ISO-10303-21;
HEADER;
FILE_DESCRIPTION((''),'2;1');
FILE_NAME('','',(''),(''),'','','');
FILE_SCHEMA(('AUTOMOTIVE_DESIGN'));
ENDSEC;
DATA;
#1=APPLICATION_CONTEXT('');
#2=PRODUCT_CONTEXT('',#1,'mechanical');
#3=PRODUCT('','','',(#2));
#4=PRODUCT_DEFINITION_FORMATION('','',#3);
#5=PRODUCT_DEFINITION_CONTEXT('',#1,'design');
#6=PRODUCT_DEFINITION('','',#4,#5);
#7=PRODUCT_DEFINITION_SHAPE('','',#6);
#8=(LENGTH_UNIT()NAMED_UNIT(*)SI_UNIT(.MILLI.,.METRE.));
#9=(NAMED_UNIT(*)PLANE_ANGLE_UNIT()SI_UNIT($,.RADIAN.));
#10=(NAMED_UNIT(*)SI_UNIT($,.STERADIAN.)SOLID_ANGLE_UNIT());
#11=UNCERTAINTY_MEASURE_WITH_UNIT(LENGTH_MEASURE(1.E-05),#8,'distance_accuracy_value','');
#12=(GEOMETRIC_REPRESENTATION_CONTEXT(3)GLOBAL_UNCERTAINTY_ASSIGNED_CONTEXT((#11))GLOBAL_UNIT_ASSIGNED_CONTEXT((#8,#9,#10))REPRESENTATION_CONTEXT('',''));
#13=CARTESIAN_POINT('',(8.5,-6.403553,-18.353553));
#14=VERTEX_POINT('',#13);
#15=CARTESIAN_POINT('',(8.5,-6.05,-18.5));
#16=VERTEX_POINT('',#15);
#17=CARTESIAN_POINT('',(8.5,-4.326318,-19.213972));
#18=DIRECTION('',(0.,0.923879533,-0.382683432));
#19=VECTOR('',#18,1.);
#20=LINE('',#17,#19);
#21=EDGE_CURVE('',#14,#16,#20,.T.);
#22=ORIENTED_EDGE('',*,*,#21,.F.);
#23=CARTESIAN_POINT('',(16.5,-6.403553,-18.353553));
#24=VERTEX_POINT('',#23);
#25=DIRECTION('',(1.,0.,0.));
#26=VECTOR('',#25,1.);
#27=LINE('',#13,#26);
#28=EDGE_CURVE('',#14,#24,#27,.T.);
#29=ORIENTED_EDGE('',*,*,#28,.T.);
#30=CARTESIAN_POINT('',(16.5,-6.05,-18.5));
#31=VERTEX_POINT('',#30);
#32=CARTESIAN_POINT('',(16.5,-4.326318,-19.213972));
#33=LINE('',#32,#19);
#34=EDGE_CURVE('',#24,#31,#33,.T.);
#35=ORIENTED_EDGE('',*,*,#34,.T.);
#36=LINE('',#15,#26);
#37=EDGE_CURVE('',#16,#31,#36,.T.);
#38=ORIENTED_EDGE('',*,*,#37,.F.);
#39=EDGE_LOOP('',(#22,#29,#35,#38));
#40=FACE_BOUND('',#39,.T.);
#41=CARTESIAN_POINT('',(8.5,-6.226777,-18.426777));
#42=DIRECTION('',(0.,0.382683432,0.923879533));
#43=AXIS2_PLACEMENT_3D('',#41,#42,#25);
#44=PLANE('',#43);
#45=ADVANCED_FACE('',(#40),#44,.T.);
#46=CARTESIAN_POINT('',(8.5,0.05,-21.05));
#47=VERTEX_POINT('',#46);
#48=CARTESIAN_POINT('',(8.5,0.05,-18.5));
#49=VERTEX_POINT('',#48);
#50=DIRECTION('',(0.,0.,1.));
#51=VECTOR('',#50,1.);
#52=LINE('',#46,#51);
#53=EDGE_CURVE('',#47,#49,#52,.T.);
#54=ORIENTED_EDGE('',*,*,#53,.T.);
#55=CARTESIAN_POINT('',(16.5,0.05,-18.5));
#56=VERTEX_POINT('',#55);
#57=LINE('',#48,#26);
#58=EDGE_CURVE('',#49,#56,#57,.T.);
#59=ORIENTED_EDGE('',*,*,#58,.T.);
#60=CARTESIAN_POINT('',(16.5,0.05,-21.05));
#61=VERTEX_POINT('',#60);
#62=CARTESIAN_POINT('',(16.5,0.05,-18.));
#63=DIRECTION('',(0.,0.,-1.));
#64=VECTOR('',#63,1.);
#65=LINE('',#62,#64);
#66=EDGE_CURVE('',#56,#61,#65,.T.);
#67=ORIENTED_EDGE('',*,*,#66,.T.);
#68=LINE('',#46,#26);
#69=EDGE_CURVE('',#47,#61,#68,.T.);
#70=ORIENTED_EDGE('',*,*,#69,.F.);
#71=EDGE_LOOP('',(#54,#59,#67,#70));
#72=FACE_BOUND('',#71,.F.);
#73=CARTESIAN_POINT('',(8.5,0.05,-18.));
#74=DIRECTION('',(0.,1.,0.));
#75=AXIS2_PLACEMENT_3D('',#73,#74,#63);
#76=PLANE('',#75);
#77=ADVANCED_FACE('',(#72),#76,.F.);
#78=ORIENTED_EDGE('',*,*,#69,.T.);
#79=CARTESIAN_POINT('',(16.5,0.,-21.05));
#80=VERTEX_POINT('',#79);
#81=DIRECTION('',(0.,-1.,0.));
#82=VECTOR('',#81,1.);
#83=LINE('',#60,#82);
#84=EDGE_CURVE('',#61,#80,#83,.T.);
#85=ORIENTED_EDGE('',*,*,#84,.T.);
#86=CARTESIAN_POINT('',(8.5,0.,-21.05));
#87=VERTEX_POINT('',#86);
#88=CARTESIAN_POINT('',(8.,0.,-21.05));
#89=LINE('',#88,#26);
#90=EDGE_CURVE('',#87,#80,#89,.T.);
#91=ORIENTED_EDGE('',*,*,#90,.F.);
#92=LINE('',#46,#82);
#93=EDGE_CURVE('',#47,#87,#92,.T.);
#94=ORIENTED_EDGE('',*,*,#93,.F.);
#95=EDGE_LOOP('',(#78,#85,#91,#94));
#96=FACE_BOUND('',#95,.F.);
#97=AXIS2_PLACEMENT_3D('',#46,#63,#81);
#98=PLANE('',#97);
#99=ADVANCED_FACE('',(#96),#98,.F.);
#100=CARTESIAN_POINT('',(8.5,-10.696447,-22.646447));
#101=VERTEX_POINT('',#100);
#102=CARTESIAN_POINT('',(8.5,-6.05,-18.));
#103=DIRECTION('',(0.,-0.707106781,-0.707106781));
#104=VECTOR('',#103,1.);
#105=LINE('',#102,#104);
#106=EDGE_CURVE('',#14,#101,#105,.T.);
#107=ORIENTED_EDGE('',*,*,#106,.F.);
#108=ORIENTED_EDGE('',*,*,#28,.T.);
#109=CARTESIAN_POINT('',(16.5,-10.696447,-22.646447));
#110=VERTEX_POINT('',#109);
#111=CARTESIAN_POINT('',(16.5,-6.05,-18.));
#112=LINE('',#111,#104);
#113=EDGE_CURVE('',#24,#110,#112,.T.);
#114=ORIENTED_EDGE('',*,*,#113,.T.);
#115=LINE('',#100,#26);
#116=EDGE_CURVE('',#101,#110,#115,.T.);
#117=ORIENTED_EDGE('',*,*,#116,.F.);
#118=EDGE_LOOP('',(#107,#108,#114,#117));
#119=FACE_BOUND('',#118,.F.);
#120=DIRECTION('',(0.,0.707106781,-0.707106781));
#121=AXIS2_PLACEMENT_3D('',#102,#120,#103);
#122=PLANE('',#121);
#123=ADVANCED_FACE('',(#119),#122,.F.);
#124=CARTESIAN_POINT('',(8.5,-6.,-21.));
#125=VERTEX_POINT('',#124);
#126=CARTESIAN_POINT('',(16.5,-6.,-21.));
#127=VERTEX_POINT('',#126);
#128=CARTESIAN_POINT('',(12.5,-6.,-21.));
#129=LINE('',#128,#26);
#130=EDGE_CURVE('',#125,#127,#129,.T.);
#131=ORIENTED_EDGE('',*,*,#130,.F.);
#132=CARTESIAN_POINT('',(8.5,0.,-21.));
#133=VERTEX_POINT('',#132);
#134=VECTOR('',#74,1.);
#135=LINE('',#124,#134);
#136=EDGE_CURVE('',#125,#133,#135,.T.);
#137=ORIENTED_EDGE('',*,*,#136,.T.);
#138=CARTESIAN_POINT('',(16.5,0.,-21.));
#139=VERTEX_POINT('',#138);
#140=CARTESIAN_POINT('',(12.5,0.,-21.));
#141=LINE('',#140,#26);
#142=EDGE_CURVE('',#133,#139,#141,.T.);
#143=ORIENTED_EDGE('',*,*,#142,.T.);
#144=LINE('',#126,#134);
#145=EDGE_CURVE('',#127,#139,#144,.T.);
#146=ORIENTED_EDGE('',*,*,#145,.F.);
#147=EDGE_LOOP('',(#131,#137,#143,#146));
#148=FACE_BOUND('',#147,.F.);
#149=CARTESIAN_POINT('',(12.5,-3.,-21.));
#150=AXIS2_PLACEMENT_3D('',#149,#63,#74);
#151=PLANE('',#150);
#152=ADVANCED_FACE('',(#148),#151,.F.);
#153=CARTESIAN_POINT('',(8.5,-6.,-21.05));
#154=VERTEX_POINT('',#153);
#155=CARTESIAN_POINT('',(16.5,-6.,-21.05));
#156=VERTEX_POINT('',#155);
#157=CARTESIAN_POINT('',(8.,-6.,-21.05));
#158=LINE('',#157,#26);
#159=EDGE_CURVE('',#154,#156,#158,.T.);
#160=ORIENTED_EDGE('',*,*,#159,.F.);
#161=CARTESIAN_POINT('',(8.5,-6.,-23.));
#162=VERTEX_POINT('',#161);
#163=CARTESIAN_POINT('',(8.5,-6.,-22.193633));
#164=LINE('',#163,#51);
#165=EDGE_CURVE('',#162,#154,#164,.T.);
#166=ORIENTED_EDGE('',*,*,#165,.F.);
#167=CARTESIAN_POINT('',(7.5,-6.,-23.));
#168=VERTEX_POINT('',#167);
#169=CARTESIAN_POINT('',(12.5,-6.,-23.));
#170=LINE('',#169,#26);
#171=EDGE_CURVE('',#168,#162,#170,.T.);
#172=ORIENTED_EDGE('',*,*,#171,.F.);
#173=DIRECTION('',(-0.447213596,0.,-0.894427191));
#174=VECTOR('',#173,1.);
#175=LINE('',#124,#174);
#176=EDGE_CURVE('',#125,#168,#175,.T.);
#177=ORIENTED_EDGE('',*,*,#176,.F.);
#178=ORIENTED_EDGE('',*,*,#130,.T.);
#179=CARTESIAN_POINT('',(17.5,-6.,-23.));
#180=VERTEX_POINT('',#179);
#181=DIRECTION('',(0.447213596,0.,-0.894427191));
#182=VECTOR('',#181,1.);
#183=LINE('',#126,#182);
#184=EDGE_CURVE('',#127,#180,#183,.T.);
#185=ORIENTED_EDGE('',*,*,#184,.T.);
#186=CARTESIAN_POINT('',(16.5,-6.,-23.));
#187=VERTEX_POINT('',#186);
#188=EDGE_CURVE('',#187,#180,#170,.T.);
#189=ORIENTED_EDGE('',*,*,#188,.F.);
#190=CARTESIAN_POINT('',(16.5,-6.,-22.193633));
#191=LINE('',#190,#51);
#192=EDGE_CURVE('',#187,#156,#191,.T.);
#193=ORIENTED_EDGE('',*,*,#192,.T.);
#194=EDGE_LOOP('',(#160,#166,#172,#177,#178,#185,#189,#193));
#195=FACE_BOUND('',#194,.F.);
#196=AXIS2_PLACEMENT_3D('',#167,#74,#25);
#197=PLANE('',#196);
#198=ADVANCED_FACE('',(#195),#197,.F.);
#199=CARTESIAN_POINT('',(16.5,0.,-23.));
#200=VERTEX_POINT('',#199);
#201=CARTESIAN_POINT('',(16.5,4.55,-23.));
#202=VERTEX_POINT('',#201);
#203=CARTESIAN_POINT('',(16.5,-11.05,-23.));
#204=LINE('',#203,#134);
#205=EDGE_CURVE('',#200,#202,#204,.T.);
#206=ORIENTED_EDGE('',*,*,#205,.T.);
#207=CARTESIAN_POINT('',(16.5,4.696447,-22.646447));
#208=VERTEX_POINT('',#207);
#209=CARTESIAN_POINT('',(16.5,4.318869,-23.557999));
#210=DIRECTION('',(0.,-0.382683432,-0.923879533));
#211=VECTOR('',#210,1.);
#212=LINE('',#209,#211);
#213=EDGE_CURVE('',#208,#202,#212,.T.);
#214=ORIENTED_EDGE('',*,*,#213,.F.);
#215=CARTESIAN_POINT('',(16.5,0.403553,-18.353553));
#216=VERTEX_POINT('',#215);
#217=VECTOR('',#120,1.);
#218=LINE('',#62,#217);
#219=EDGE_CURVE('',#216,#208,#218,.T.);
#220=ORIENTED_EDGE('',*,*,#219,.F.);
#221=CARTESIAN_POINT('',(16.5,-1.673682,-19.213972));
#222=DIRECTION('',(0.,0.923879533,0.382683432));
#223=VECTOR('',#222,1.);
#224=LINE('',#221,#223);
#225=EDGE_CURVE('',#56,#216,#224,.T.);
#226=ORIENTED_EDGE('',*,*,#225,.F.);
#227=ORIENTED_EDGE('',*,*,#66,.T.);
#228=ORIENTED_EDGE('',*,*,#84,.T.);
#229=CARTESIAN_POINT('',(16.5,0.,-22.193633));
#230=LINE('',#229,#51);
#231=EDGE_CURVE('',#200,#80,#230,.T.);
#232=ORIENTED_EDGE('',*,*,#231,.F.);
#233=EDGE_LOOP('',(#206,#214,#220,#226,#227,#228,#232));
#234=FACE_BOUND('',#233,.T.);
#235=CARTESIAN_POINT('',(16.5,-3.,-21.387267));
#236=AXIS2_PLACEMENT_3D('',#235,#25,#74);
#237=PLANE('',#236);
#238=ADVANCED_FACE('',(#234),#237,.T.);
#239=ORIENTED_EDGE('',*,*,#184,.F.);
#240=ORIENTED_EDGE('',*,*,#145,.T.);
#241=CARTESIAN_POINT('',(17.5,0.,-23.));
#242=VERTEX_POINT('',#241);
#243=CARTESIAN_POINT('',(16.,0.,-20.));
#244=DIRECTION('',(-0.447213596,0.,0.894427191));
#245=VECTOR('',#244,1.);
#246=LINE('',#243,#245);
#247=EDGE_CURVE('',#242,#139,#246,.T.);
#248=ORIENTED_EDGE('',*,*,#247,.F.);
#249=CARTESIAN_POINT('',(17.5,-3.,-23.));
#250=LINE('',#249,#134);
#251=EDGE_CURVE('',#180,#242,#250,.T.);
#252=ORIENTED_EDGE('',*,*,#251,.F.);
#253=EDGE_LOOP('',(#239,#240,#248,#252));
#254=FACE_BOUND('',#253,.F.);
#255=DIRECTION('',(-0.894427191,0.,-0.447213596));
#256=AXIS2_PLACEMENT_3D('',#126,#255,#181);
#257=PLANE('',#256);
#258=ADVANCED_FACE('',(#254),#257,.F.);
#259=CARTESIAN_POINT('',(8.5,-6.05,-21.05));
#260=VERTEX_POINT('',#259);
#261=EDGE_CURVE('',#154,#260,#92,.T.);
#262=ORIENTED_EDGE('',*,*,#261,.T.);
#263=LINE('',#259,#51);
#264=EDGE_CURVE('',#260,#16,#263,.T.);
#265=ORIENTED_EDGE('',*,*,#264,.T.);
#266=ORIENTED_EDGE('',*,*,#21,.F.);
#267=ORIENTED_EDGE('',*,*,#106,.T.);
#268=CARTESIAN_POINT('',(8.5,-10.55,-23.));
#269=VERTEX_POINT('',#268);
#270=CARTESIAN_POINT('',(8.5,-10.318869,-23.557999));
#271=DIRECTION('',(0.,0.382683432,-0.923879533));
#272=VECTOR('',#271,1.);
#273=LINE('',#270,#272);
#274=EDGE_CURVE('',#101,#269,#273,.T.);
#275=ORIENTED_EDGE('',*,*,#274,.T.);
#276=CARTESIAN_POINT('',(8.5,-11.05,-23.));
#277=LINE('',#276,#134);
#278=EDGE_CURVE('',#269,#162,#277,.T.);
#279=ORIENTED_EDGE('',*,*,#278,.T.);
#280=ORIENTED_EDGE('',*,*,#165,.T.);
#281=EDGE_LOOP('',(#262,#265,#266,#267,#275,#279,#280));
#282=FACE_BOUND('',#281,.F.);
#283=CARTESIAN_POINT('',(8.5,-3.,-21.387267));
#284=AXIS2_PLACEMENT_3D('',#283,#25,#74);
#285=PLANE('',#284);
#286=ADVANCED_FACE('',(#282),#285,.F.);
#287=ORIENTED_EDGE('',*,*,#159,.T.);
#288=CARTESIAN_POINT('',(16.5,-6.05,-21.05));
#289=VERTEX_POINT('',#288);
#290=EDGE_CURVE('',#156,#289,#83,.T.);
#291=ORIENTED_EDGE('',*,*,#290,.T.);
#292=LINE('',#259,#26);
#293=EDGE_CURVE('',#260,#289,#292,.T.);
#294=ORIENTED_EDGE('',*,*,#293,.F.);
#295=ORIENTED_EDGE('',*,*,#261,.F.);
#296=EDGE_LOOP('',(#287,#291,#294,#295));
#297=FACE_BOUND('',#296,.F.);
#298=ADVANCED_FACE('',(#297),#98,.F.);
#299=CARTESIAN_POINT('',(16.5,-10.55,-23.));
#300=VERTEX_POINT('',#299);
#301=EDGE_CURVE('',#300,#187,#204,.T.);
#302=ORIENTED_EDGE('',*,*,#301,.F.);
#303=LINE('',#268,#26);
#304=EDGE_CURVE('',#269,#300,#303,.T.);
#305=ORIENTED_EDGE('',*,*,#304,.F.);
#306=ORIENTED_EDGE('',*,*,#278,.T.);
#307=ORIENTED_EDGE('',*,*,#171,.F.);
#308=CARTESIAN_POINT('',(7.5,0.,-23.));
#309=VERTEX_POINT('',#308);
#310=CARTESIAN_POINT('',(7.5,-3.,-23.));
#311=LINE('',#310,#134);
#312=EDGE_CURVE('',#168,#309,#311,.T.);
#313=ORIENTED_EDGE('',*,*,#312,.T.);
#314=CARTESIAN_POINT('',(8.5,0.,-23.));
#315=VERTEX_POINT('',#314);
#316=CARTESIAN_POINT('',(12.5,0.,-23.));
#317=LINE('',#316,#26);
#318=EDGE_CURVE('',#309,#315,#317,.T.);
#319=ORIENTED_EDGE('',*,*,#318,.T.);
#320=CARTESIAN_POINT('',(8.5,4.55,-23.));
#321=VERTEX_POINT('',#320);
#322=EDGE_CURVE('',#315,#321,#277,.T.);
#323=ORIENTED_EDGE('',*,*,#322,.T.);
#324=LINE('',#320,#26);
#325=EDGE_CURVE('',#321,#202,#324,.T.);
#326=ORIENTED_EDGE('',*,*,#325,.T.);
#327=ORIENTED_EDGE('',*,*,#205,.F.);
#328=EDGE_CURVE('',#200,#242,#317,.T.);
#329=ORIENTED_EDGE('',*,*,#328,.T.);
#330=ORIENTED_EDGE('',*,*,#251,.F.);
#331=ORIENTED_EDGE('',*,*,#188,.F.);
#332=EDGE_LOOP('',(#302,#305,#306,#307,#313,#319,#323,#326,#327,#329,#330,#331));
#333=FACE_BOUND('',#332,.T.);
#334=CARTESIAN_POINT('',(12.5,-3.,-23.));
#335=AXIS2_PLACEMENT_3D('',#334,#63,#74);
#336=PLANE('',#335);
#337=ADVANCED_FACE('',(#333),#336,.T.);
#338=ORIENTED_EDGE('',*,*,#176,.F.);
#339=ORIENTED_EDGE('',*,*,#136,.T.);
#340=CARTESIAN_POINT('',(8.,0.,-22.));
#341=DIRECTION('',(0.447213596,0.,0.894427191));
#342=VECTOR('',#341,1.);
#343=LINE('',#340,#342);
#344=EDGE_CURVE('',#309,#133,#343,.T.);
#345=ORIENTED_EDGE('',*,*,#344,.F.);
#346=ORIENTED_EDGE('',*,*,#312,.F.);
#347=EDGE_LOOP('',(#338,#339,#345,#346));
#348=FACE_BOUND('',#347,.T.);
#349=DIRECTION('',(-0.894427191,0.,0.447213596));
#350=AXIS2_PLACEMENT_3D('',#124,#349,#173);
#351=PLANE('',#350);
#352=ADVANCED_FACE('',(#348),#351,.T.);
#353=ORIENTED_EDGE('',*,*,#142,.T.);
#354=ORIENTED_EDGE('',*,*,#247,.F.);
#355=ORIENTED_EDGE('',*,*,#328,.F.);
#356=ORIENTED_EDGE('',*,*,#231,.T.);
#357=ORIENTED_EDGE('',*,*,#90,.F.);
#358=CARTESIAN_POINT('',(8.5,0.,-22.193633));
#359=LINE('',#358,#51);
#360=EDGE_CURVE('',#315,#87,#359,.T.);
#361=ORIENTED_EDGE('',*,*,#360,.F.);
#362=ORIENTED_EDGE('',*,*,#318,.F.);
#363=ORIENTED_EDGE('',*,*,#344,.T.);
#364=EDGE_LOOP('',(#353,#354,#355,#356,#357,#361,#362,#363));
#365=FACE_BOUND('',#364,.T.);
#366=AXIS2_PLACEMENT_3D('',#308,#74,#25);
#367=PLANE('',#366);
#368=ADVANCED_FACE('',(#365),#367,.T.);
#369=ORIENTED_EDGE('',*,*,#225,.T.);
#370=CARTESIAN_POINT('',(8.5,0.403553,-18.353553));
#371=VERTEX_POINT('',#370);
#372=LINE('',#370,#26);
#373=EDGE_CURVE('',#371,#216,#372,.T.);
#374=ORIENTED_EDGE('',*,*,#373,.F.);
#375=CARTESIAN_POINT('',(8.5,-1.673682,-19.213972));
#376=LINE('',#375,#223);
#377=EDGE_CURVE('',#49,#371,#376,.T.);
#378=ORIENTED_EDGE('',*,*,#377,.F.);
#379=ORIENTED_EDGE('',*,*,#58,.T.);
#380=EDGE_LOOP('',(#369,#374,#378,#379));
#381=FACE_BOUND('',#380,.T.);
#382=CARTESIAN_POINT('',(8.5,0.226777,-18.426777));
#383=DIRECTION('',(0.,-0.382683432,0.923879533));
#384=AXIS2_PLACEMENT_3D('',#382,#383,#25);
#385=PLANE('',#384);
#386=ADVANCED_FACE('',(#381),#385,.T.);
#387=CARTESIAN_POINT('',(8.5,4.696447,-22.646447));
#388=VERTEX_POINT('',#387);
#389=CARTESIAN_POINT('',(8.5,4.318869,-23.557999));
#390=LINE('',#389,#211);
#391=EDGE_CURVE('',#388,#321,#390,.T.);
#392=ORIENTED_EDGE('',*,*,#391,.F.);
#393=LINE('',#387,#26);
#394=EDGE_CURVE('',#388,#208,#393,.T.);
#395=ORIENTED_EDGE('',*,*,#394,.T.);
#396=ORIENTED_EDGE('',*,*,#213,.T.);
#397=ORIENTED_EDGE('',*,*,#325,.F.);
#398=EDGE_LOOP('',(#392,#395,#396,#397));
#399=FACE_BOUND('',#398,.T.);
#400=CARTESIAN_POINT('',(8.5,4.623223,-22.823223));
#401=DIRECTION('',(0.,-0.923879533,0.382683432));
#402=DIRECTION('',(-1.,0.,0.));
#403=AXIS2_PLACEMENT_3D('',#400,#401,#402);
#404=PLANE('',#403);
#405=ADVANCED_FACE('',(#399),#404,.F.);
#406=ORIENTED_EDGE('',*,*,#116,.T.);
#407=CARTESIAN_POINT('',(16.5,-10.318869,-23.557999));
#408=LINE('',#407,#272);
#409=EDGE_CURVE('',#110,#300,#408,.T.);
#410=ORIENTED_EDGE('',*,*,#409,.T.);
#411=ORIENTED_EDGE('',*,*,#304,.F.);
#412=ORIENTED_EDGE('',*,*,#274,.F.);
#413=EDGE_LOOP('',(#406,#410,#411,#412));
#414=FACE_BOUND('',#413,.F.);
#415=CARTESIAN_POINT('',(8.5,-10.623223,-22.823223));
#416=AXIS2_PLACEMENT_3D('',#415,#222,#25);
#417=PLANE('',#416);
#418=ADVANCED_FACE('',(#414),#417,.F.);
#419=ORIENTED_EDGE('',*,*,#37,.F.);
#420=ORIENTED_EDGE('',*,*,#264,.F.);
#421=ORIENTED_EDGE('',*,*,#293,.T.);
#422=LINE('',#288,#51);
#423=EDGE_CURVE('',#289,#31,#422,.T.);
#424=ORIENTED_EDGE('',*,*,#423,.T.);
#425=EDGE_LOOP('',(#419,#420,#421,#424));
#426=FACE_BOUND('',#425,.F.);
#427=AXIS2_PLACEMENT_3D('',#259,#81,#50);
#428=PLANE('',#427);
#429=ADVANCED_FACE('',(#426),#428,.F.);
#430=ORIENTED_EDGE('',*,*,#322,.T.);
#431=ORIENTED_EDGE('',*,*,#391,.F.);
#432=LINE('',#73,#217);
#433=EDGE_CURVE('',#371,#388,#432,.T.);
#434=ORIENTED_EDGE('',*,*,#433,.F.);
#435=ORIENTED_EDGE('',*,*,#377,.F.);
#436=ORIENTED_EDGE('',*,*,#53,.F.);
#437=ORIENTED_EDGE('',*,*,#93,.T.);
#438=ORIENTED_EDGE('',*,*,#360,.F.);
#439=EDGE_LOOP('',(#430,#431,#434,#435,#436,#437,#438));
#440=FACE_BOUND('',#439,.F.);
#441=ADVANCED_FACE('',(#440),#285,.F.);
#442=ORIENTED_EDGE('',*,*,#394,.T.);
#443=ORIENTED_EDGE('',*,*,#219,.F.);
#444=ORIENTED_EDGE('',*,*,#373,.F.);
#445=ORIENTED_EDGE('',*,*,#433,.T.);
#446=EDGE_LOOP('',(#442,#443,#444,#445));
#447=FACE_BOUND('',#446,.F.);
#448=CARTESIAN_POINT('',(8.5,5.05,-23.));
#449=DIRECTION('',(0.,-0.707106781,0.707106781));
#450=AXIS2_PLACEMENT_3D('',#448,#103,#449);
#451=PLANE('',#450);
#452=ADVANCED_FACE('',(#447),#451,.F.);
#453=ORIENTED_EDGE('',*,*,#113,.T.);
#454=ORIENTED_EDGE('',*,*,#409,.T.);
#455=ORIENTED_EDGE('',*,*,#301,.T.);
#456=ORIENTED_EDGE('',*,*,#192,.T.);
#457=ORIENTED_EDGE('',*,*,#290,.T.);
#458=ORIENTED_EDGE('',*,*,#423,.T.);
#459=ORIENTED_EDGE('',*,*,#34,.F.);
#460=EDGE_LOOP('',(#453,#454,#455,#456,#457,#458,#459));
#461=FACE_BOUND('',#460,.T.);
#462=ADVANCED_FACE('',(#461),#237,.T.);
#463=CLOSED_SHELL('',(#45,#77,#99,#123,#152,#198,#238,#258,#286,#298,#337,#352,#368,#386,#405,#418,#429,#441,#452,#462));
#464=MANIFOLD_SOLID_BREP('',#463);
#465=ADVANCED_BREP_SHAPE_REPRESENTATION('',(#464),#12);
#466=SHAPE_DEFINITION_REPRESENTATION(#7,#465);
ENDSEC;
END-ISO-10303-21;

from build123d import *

# Parameters (mm, degrees)
PAD001_DEPTH    = 8
SKETCH009_W     = 6
SKETCH009_H     = 10
PAD004_DEPTH    = 2
POCKET005_DEPTH = 11.051
CHAMFER_SIZE    = 0.5


with BuildPart() as part:
    # Sketch003 → Pad001 (new body)
    with BuildSketch(Plane.YZ):
        Polygon((-3.05, 2.5), (-8.05, -2.5), (8.05, -2.5), (3.05, 2.5), (3.05, -0.55), (-3.05, -0.55), align=None)
    extrude(amount=PAD001_DEPTH)

    # Sketch009 (on Face2 of Pad001) → Pad004 (join)
    with BuildSketch(Plane.YX.offset(2.5)):
        with Locations((0, 4)):
            Rectangle(SKETCH009_W, SKETCH009_H)
    extrude(amount=-PAD004_DEPTH)

    # Sketch010 (on Face8 of Pad004) → Pocket005 (cut, through all)
    with BuildSketch(Plane(origin=(0, -3, 0), x_dir=(0, 0, -1), z_dir=(0, -1, 0))):
        Polygon((2.5, 9), (0.5, 9), (0.5, 8), align=None)
        Polygon((2.5, -1), (0.5, -1), (0.5, 0), align=None)
    extrude(amount=-POCKET005_DEPTH, mode=Mode.SUBTRACT)

    # Chamfer
    chamfer_edges = [part.edges().sort_by_distance(p)[0] for p in [
        (4, -3.05, 2.5),
        (4, 3.05, 2.5),
        (4, -8.05, -2.5),
        (4, 8.05, -2.5),
    ]]
    chamfer(chamfer_edges, length=CHAMFER_SIZE)


with BuildPart() as part_1:
    # Body001 placement: moved
    add(part.part.moved(Location((8.5, -3, -20.5))))


solid = part_1.part
